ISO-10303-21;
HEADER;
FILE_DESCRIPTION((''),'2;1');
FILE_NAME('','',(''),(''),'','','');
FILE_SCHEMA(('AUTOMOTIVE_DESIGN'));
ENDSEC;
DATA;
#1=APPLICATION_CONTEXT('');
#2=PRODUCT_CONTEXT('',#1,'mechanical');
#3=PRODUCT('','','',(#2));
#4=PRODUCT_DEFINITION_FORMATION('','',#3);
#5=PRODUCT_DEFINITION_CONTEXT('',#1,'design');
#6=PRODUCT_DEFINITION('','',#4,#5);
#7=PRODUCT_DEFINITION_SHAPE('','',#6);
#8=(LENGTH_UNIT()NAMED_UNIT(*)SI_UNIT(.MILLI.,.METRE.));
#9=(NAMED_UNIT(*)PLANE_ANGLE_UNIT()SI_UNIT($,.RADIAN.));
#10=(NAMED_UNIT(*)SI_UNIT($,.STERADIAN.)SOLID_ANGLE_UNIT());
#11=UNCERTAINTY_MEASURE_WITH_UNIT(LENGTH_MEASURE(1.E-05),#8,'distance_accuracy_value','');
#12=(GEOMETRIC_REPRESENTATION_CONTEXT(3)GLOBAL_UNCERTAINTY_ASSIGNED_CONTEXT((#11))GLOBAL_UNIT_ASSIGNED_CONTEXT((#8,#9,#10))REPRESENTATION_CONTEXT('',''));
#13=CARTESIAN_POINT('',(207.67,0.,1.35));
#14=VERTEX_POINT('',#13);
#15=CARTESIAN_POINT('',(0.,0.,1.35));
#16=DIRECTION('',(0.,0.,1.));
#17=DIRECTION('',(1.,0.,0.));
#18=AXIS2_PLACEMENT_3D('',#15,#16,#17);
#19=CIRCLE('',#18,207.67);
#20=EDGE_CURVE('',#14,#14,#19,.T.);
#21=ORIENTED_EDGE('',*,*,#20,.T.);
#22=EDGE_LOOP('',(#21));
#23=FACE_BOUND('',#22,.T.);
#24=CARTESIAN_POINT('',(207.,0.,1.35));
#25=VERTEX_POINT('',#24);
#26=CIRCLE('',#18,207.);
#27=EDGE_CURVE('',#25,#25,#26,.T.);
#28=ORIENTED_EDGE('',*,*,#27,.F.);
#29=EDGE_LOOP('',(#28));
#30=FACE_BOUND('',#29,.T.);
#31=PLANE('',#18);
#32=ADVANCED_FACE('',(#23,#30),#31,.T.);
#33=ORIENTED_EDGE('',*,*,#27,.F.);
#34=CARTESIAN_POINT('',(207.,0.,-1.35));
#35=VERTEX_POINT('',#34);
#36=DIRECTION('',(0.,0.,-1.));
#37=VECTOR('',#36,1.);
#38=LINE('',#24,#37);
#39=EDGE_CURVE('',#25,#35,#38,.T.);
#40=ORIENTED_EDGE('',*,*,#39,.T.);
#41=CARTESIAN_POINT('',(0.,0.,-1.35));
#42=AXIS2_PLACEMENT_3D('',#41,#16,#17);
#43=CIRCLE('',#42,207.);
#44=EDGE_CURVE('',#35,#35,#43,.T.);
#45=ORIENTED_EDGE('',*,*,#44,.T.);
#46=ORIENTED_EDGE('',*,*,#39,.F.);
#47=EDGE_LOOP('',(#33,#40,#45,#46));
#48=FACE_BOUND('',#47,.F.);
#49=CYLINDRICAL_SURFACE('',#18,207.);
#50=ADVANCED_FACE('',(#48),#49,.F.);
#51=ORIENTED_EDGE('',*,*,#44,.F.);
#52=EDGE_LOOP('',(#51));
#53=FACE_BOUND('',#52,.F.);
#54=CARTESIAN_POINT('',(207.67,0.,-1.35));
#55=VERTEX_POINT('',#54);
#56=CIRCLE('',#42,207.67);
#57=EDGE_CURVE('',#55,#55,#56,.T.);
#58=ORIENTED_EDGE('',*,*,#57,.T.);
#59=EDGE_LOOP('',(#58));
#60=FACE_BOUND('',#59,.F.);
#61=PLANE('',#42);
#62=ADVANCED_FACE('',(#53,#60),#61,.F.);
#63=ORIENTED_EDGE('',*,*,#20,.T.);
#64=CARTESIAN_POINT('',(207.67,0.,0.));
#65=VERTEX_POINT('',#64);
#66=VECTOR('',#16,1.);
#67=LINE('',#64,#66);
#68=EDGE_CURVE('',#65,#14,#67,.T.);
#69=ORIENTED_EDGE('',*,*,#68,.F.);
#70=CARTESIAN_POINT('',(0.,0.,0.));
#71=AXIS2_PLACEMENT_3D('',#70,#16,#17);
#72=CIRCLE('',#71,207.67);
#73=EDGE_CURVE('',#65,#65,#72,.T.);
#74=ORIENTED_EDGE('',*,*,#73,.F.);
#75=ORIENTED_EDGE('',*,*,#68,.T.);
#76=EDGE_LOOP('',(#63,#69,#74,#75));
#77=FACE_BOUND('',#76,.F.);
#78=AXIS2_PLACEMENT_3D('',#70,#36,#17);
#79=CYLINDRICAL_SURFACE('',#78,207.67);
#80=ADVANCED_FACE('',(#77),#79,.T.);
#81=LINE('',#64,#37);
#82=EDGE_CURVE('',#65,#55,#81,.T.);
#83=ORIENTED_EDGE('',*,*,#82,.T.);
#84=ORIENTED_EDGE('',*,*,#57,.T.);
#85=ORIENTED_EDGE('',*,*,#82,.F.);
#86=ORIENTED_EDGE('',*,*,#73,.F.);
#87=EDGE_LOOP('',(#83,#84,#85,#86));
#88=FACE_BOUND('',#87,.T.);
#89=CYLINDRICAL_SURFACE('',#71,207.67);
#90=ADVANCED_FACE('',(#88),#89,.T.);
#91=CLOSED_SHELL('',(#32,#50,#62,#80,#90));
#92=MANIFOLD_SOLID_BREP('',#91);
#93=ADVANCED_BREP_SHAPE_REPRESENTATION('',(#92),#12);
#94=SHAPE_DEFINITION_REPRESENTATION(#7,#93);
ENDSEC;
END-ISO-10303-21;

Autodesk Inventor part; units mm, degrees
ref_plane "YZ Plane" through (0, 0, 0) normal (1, 0, 0) x (0, 1, 0)
ref_plane "XZ Plane" through (0, 0, 0) normal (0, 1, 0) x (-1, 0, 0)
ref_plane "XY Plane" through (0, 0, 0) normal (0, 0, 1) x (1, 0, 0)
sketch "Sketch1" plane through (0, 0, 0) normal (0, 0, 1) x (1, 0, 0)
  circle A0 centre (0, 0) radius 207.67
  dimension "d0" = 415.34
extrude "Extrusion1" add sketch "Sketch1" along normal mid plane 2.7
sketch "Sketch2" plane through (0, 0, 1.35) normal (0, 0, 1) x (1, 0, 0)
  circle A0 centre (0, 0) radius 207
  dimension "d3" = 414
extrude "Extrusion2" cut sketch "Sketch2" against normal through all
properties part number "ALPHA-II-AT_4"
